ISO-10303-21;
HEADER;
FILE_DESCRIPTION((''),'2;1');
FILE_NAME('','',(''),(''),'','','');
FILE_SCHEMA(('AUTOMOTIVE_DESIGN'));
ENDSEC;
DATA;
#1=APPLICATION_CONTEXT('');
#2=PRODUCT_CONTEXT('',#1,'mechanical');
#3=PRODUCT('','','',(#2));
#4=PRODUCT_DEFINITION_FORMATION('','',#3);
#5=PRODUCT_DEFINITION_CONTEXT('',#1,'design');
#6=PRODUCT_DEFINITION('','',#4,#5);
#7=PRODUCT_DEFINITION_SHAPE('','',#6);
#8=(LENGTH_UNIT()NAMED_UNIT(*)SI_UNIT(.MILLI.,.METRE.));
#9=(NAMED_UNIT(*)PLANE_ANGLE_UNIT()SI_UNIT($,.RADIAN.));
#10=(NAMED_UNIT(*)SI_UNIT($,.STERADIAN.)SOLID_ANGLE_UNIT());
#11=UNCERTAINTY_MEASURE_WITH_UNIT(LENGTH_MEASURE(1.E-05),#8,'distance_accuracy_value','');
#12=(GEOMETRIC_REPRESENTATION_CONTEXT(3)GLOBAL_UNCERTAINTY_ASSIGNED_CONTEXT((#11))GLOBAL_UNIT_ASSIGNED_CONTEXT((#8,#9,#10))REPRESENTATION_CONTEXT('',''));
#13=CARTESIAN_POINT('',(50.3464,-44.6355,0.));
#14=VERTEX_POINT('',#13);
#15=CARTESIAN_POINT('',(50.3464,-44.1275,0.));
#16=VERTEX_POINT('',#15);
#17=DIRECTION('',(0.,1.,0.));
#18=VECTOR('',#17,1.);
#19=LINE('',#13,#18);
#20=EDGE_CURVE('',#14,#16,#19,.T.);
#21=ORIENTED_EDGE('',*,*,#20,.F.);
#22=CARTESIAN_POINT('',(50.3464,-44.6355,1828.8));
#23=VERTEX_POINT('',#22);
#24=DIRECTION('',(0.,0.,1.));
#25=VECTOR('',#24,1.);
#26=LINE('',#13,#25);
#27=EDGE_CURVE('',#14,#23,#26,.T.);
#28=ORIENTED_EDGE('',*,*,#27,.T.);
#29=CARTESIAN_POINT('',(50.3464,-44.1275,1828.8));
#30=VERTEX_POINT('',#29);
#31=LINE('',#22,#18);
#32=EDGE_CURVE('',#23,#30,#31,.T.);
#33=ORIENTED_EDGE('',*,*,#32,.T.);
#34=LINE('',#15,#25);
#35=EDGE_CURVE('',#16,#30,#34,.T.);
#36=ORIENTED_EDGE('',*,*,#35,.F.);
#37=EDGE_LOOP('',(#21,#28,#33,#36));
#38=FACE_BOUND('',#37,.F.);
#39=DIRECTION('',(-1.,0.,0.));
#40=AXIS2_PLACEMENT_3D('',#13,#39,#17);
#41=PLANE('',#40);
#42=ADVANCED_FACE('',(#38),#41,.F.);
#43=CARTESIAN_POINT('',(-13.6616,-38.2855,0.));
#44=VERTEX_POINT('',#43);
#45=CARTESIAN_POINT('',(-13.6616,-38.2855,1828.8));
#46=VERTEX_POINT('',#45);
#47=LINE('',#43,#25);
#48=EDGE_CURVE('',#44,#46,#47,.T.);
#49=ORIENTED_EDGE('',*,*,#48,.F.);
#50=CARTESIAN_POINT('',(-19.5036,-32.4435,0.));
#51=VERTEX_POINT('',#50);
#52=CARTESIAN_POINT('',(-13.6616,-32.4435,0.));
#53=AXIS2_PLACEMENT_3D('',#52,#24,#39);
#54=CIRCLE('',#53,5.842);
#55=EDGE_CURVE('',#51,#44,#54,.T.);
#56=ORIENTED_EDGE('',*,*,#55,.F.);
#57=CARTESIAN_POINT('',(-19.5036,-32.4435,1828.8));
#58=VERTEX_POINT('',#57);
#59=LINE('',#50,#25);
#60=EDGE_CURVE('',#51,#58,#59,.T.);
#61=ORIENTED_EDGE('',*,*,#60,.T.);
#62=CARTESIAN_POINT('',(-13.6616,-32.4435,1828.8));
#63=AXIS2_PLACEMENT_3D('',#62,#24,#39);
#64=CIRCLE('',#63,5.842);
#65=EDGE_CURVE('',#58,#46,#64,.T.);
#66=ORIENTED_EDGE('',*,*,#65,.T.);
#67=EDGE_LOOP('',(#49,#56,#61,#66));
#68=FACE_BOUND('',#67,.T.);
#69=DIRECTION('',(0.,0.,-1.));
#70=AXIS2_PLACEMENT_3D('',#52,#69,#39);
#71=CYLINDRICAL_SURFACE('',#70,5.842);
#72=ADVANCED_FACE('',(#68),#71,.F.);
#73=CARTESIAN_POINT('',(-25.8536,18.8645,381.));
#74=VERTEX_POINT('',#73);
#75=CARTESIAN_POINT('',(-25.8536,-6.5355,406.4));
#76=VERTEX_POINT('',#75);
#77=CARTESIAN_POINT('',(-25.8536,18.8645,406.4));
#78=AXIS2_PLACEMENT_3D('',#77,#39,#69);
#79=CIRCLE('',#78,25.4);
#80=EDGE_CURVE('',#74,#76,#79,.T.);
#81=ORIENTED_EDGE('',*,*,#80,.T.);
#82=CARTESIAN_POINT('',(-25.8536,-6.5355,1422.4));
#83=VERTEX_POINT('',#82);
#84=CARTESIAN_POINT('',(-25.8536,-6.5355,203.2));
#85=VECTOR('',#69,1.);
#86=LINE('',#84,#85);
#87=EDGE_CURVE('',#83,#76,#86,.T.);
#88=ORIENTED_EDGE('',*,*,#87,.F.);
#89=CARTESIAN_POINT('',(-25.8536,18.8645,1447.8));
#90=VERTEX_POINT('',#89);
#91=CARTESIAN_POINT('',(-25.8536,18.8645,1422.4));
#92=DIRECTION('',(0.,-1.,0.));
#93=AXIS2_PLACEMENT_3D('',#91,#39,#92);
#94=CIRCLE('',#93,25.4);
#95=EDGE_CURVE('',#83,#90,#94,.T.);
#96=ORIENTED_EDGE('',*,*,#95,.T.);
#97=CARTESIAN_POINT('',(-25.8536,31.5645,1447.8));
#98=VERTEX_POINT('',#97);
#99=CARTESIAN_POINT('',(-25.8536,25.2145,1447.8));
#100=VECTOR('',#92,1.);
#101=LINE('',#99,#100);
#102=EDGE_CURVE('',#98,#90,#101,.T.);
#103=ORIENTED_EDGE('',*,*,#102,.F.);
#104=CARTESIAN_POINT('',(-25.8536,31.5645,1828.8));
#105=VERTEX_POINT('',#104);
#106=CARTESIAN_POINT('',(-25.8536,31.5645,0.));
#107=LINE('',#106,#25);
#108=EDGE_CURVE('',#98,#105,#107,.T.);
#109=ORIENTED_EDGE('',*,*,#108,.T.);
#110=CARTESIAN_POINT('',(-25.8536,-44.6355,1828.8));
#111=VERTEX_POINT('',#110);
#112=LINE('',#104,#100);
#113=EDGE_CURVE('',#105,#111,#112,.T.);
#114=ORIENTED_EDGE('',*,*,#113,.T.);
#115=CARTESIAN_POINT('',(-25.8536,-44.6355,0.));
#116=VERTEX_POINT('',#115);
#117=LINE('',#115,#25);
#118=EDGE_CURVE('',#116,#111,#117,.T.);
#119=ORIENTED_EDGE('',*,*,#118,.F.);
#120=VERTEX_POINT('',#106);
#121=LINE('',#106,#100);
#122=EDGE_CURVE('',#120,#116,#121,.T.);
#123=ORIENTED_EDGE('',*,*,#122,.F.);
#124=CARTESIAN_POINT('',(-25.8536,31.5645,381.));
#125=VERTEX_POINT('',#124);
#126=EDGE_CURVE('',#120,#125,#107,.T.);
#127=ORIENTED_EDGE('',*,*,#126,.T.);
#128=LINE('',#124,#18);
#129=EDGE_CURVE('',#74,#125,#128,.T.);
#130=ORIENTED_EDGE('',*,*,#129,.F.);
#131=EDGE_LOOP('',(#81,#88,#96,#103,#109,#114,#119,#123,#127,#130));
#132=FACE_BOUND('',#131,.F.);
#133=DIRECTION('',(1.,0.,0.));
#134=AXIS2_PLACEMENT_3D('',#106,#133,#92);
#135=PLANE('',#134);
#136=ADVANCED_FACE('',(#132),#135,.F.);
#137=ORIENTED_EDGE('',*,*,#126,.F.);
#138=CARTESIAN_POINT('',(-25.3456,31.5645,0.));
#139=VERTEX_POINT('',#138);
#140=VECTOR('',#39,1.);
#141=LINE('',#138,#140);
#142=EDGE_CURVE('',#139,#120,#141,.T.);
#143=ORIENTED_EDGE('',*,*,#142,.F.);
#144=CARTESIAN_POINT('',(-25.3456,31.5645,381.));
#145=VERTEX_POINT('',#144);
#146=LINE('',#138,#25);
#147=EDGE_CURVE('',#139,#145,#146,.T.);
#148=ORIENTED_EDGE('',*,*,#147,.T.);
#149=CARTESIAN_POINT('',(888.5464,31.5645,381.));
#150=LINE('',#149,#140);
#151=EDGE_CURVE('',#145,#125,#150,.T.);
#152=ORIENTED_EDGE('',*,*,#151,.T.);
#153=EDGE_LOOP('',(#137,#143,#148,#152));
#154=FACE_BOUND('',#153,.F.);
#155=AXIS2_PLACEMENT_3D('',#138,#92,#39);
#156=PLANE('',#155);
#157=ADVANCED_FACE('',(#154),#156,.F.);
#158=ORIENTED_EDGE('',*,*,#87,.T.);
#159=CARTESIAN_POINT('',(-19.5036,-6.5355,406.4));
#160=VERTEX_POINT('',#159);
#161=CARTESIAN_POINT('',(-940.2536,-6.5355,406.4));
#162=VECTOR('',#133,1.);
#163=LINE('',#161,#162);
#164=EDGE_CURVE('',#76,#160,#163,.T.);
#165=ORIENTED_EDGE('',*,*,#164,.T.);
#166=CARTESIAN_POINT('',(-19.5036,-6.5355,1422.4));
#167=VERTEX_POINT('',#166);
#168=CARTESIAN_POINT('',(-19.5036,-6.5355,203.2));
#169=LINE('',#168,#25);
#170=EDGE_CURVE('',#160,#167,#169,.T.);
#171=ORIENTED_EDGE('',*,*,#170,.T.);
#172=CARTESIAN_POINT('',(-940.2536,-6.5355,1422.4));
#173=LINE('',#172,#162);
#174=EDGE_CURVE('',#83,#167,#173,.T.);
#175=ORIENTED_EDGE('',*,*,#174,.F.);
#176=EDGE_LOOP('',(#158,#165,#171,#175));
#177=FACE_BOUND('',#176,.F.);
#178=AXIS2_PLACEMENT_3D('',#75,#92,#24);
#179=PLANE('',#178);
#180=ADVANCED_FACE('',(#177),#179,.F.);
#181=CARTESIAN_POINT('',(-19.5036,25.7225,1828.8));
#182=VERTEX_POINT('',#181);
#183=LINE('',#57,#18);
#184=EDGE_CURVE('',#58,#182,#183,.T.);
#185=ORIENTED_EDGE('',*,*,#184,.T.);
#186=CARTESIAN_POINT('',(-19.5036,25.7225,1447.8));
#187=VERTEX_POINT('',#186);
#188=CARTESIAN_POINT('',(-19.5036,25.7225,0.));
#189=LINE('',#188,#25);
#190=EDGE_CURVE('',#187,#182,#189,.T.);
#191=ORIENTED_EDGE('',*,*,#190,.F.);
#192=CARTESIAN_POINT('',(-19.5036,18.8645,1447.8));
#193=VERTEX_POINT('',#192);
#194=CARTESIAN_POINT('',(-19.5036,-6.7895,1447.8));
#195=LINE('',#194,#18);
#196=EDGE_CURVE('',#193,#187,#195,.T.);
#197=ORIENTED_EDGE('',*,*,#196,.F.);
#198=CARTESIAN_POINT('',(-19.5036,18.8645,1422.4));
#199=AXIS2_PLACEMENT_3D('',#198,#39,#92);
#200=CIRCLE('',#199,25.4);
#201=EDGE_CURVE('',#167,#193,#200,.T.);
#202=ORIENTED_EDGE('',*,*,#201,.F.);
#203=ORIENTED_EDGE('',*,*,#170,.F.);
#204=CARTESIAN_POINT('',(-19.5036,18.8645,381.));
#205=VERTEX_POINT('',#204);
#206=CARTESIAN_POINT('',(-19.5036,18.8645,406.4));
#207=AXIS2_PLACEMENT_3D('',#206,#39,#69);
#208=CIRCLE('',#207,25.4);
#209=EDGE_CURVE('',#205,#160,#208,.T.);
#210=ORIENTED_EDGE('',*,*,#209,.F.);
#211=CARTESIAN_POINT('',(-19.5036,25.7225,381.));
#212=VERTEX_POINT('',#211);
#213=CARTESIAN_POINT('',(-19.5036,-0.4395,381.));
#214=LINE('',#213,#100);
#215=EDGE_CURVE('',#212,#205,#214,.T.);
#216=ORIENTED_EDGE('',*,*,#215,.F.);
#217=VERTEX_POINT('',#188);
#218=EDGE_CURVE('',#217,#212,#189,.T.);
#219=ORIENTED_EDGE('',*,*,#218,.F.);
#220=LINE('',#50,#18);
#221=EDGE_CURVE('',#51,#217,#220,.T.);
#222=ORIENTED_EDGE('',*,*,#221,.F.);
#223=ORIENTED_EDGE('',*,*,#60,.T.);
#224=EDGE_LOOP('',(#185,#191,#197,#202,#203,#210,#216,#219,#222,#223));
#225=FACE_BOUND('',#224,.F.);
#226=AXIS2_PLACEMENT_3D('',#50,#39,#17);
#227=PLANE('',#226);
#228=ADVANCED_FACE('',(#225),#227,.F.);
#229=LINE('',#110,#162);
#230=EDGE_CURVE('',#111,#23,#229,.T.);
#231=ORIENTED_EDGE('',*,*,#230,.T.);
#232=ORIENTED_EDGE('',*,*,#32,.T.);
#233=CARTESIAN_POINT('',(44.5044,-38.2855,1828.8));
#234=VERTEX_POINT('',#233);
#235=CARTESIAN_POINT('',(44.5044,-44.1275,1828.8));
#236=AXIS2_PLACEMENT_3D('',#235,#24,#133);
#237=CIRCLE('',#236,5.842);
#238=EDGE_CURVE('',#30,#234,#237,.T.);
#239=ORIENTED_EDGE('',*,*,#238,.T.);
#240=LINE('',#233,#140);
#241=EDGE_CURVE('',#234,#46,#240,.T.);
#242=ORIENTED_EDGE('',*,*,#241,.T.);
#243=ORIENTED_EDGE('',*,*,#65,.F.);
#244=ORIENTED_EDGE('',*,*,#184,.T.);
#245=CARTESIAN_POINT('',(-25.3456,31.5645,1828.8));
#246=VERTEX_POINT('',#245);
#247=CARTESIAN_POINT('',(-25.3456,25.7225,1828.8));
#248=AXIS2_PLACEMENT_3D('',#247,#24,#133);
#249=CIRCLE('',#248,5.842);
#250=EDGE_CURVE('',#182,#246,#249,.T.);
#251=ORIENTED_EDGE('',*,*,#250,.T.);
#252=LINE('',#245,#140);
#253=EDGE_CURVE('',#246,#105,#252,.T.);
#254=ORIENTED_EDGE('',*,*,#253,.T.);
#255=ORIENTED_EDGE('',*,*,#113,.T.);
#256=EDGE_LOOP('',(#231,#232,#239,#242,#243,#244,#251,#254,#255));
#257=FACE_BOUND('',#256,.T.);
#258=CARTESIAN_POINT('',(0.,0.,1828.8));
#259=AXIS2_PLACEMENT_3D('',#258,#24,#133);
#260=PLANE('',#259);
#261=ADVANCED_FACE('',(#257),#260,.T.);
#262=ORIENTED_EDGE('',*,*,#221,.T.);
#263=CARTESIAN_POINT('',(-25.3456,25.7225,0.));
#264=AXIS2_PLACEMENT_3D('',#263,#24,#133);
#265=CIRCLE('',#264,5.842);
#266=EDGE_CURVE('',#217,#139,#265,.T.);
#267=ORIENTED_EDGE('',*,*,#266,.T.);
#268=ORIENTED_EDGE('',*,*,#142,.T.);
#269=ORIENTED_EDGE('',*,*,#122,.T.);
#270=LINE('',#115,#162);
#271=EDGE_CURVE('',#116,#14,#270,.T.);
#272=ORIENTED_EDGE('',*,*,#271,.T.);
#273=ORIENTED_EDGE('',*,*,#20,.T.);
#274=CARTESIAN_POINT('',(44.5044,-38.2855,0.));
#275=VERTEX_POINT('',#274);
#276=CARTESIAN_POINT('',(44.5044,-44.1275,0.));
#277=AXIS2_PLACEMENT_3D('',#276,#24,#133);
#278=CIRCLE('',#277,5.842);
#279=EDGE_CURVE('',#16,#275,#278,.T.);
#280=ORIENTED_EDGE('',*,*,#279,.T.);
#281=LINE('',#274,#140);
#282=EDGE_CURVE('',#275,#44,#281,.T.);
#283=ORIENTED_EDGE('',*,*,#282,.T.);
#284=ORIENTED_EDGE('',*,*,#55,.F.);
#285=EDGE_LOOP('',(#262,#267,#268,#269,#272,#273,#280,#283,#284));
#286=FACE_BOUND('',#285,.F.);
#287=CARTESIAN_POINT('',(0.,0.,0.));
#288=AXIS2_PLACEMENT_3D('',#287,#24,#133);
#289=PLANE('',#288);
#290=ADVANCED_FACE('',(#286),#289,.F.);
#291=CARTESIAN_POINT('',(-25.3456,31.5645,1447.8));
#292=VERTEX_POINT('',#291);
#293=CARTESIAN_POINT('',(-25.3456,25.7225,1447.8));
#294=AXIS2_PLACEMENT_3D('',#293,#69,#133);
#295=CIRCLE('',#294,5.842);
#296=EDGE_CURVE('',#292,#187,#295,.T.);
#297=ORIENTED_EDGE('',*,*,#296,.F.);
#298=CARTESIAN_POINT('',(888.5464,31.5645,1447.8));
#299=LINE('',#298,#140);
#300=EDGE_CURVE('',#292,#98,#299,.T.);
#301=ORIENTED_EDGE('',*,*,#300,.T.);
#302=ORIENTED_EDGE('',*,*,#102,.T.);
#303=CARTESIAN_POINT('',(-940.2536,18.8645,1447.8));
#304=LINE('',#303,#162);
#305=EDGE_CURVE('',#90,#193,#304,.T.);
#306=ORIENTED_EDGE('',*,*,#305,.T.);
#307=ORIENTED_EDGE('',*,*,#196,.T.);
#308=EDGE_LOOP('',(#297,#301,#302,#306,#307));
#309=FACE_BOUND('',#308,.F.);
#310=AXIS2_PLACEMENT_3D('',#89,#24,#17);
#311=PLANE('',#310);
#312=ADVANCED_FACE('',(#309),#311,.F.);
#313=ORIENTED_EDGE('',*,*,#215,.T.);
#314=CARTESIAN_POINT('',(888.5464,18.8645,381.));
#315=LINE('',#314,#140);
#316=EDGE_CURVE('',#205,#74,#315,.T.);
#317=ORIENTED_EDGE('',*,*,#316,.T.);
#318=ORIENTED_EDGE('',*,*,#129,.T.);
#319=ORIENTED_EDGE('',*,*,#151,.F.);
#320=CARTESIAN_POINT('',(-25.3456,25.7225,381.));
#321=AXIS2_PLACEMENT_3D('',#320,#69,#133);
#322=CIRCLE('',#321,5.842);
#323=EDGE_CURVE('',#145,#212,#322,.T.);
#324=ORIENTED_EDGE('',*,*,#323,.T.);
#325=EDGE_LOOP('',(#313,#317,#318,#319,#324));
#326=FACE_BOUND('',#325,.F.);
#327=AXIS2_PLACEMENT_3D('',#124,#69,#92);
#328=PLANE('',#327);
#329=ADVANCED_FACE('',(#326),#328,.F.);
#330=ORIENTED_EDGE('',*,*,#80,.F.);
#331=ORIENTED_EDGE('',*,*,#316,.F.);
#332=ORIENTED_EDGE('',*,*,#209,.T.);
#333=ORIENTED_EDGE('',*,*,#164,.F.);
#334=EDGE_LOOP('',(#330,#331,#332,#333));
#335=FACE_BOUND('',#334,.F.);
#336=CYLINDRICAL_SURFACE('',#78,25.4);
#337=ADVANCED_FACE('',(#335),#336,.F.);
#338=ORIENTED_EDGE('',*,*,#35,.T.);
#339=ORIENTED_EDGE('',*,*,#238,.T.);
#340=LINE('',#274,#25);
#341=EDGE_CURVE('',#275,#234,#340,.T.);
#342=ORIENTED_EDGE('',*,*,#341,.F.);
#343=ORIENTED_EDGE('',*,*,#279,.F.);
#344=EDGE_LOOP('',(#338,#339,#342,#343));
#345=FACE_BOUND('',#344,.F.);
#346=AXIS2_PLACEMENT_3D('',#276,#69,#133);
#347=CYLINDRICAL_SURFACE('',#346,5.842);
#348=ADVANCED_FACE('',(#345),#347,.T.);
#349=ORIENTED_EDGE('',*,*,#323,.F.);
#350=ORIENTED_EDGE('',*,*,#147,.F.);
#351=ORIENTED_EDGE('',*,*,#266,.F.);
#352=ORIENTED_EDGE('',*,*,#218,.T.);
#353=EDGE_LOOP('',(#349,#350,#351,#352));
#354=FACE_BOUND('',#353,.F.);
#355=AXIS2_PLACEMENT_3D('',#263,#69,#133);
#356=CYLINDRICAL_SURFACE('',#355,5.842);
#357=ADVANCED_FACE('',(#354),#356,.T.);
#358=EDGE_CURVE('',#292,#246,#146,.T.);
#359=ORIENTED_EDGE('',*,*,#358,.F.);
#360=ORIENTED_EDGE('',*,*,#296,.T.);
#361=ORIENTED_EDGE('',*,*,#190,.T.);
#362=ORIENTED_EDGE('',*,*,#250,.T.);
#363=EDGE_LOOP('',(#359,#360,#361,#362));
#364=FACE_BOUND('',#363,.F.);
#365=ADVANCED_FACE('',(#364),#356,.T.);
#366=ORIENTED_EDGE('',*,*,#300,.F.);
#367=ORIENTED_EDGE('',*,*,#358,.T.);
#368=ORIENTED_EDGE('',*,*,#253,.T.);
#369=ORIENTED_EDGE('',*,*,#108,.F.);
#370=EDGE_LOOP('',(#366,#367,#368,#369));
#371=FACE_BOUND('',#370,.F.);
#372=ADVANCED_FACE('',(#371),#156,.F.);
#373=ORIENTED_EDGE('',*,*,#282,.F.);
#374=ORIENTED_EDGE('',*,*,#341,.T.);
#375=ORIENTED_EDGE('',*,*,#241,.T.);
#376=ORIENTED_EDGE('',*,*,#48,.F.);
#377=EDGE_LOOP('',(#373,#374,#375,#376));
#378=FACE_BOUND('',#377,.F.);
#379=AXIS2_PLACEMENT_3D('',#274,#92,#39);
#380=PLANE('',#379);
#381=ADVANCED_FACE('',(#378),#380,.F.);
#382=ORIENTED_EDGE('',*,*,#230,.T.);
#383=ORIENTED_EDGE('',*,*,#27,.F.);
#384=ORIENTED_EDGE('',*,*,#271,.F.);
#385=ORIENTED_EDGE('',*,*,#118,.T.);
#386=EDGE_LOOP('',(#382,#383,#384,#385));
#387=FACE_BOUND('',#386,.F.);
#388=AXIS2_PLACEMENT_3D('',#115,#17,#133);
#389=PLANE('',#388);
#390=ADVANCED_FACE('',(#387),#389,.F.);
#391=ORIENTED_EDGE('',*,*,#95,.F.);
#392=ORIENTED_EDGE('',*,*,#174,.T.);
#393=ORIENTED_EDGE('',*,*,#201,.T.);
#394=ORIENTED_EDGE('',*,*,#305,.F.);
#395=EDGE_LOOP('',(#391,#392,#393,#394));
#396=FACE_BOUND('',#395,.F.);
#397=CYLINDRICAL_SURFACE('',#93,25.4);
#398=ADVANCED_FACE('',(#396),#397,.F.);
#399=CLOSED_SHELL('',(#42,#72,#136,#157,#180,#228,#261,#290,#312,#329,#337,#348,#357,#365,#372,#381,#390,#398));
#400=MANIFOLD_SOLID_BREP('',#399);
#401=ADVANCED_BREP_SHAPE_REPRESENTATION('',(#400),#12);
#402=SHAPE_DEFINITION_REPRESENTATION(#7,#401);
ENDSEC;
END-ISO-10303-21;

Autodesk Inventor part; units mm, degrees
ref_plane "YZ Plane" through (0, 0, 0) normal (1, 0, 0) x (0, 1, 0)
ref_plane "XZ Plane" through (0, 0, 0) normal (0, 1, 0) x (-1, 0, 0)
ref_plane "XY Plane" through (0, 0, 0) normal (0, 0, 1) x (1, 0, 0)
sketch "Sketch1" plane through (0, 0, 0) normal (0, 0, 1) x (1, 0, 0)
  line L0 (-25.8536, 31.5645) -> (-25.8536, -44.6355)
  line L1 (-25.8536, -44.6355) -> (50.3464, -44.6355)
  line L2 (50.3464, -44.6355) -> (50.3464, -44.1275)
  line L3 (44.5044, -38.2855) -> (-13.6616, -38.2855)
  line L4 (-19.5036, -32.4435) -> (-19.5036, 25.7225)
  line L5 (-25.3456, 31.5645) -> (-25.8536, 31.5645)
  arc A0 (50.3464, -44.1275) -> (44.5044, -38.2855) centre (44.5044, -44.1275) ccw
  arc A1 (-19.5036, 25.7225) -> (-25.3456, 31.5645) centre (-25.3456, 25.7225) ccw
  arc A2 (-19.5036, -32.4435) -> (-13.6616, -38.2855) centre (-13.6616, -32.4435) ccw
  point P0 (-19.5036, 31.5645)
  dimension "d0" = 76.2
  dimension "d1" = 76.2
  dimension "d2" = 6.35
  dimension "d3" = 5.842
extrude "Extrusion1" add sketch "Sketch1" along normal blind 1828.8
sketch "Sketch2" plane through (-25.8536, -44.6355, 0) normal (-1, 0, 0) x (0, 0, 1)
  line L0 (1828.8, 0) -> (1828.8, 76.2) projected
  line L1 (0, 76.2) -> (1828.8, 76.2) projected
  line L2 (0, 76.2) -> (0, 0) projected
  line L3 (0, 0) -> (1828.8, 0) projected
  line L4 (381, 76.2) -> (381, 63.5)
  line L5 (406.4, 38.1) -> (1422.4, 38.1)
  line L6 (1447.8, 63.5) -> (1447.8, 76.2)
  line L7 (1447.8, 76.2) -> (381, 76.2)
  arc A0 (381, 63.5) -> (406.4, 38.1) centre (406.4, 63.5) ccw
  arc A1 (1422.4, 38.1) -> (1447.8, 63.5) centre (1422.4, 63.5) ccw
  dimension "d6" = 25.4
  dimension "d7" = 38.1
  dimension "d8" = 381
  dimension "d9" = 381
extrude "Extrusion2" cut sketch "Sketch2" against normal mid plane 1828.8 contours L6 A1 L5 A0 L4 L1
properties part number "FE-00006-01"
